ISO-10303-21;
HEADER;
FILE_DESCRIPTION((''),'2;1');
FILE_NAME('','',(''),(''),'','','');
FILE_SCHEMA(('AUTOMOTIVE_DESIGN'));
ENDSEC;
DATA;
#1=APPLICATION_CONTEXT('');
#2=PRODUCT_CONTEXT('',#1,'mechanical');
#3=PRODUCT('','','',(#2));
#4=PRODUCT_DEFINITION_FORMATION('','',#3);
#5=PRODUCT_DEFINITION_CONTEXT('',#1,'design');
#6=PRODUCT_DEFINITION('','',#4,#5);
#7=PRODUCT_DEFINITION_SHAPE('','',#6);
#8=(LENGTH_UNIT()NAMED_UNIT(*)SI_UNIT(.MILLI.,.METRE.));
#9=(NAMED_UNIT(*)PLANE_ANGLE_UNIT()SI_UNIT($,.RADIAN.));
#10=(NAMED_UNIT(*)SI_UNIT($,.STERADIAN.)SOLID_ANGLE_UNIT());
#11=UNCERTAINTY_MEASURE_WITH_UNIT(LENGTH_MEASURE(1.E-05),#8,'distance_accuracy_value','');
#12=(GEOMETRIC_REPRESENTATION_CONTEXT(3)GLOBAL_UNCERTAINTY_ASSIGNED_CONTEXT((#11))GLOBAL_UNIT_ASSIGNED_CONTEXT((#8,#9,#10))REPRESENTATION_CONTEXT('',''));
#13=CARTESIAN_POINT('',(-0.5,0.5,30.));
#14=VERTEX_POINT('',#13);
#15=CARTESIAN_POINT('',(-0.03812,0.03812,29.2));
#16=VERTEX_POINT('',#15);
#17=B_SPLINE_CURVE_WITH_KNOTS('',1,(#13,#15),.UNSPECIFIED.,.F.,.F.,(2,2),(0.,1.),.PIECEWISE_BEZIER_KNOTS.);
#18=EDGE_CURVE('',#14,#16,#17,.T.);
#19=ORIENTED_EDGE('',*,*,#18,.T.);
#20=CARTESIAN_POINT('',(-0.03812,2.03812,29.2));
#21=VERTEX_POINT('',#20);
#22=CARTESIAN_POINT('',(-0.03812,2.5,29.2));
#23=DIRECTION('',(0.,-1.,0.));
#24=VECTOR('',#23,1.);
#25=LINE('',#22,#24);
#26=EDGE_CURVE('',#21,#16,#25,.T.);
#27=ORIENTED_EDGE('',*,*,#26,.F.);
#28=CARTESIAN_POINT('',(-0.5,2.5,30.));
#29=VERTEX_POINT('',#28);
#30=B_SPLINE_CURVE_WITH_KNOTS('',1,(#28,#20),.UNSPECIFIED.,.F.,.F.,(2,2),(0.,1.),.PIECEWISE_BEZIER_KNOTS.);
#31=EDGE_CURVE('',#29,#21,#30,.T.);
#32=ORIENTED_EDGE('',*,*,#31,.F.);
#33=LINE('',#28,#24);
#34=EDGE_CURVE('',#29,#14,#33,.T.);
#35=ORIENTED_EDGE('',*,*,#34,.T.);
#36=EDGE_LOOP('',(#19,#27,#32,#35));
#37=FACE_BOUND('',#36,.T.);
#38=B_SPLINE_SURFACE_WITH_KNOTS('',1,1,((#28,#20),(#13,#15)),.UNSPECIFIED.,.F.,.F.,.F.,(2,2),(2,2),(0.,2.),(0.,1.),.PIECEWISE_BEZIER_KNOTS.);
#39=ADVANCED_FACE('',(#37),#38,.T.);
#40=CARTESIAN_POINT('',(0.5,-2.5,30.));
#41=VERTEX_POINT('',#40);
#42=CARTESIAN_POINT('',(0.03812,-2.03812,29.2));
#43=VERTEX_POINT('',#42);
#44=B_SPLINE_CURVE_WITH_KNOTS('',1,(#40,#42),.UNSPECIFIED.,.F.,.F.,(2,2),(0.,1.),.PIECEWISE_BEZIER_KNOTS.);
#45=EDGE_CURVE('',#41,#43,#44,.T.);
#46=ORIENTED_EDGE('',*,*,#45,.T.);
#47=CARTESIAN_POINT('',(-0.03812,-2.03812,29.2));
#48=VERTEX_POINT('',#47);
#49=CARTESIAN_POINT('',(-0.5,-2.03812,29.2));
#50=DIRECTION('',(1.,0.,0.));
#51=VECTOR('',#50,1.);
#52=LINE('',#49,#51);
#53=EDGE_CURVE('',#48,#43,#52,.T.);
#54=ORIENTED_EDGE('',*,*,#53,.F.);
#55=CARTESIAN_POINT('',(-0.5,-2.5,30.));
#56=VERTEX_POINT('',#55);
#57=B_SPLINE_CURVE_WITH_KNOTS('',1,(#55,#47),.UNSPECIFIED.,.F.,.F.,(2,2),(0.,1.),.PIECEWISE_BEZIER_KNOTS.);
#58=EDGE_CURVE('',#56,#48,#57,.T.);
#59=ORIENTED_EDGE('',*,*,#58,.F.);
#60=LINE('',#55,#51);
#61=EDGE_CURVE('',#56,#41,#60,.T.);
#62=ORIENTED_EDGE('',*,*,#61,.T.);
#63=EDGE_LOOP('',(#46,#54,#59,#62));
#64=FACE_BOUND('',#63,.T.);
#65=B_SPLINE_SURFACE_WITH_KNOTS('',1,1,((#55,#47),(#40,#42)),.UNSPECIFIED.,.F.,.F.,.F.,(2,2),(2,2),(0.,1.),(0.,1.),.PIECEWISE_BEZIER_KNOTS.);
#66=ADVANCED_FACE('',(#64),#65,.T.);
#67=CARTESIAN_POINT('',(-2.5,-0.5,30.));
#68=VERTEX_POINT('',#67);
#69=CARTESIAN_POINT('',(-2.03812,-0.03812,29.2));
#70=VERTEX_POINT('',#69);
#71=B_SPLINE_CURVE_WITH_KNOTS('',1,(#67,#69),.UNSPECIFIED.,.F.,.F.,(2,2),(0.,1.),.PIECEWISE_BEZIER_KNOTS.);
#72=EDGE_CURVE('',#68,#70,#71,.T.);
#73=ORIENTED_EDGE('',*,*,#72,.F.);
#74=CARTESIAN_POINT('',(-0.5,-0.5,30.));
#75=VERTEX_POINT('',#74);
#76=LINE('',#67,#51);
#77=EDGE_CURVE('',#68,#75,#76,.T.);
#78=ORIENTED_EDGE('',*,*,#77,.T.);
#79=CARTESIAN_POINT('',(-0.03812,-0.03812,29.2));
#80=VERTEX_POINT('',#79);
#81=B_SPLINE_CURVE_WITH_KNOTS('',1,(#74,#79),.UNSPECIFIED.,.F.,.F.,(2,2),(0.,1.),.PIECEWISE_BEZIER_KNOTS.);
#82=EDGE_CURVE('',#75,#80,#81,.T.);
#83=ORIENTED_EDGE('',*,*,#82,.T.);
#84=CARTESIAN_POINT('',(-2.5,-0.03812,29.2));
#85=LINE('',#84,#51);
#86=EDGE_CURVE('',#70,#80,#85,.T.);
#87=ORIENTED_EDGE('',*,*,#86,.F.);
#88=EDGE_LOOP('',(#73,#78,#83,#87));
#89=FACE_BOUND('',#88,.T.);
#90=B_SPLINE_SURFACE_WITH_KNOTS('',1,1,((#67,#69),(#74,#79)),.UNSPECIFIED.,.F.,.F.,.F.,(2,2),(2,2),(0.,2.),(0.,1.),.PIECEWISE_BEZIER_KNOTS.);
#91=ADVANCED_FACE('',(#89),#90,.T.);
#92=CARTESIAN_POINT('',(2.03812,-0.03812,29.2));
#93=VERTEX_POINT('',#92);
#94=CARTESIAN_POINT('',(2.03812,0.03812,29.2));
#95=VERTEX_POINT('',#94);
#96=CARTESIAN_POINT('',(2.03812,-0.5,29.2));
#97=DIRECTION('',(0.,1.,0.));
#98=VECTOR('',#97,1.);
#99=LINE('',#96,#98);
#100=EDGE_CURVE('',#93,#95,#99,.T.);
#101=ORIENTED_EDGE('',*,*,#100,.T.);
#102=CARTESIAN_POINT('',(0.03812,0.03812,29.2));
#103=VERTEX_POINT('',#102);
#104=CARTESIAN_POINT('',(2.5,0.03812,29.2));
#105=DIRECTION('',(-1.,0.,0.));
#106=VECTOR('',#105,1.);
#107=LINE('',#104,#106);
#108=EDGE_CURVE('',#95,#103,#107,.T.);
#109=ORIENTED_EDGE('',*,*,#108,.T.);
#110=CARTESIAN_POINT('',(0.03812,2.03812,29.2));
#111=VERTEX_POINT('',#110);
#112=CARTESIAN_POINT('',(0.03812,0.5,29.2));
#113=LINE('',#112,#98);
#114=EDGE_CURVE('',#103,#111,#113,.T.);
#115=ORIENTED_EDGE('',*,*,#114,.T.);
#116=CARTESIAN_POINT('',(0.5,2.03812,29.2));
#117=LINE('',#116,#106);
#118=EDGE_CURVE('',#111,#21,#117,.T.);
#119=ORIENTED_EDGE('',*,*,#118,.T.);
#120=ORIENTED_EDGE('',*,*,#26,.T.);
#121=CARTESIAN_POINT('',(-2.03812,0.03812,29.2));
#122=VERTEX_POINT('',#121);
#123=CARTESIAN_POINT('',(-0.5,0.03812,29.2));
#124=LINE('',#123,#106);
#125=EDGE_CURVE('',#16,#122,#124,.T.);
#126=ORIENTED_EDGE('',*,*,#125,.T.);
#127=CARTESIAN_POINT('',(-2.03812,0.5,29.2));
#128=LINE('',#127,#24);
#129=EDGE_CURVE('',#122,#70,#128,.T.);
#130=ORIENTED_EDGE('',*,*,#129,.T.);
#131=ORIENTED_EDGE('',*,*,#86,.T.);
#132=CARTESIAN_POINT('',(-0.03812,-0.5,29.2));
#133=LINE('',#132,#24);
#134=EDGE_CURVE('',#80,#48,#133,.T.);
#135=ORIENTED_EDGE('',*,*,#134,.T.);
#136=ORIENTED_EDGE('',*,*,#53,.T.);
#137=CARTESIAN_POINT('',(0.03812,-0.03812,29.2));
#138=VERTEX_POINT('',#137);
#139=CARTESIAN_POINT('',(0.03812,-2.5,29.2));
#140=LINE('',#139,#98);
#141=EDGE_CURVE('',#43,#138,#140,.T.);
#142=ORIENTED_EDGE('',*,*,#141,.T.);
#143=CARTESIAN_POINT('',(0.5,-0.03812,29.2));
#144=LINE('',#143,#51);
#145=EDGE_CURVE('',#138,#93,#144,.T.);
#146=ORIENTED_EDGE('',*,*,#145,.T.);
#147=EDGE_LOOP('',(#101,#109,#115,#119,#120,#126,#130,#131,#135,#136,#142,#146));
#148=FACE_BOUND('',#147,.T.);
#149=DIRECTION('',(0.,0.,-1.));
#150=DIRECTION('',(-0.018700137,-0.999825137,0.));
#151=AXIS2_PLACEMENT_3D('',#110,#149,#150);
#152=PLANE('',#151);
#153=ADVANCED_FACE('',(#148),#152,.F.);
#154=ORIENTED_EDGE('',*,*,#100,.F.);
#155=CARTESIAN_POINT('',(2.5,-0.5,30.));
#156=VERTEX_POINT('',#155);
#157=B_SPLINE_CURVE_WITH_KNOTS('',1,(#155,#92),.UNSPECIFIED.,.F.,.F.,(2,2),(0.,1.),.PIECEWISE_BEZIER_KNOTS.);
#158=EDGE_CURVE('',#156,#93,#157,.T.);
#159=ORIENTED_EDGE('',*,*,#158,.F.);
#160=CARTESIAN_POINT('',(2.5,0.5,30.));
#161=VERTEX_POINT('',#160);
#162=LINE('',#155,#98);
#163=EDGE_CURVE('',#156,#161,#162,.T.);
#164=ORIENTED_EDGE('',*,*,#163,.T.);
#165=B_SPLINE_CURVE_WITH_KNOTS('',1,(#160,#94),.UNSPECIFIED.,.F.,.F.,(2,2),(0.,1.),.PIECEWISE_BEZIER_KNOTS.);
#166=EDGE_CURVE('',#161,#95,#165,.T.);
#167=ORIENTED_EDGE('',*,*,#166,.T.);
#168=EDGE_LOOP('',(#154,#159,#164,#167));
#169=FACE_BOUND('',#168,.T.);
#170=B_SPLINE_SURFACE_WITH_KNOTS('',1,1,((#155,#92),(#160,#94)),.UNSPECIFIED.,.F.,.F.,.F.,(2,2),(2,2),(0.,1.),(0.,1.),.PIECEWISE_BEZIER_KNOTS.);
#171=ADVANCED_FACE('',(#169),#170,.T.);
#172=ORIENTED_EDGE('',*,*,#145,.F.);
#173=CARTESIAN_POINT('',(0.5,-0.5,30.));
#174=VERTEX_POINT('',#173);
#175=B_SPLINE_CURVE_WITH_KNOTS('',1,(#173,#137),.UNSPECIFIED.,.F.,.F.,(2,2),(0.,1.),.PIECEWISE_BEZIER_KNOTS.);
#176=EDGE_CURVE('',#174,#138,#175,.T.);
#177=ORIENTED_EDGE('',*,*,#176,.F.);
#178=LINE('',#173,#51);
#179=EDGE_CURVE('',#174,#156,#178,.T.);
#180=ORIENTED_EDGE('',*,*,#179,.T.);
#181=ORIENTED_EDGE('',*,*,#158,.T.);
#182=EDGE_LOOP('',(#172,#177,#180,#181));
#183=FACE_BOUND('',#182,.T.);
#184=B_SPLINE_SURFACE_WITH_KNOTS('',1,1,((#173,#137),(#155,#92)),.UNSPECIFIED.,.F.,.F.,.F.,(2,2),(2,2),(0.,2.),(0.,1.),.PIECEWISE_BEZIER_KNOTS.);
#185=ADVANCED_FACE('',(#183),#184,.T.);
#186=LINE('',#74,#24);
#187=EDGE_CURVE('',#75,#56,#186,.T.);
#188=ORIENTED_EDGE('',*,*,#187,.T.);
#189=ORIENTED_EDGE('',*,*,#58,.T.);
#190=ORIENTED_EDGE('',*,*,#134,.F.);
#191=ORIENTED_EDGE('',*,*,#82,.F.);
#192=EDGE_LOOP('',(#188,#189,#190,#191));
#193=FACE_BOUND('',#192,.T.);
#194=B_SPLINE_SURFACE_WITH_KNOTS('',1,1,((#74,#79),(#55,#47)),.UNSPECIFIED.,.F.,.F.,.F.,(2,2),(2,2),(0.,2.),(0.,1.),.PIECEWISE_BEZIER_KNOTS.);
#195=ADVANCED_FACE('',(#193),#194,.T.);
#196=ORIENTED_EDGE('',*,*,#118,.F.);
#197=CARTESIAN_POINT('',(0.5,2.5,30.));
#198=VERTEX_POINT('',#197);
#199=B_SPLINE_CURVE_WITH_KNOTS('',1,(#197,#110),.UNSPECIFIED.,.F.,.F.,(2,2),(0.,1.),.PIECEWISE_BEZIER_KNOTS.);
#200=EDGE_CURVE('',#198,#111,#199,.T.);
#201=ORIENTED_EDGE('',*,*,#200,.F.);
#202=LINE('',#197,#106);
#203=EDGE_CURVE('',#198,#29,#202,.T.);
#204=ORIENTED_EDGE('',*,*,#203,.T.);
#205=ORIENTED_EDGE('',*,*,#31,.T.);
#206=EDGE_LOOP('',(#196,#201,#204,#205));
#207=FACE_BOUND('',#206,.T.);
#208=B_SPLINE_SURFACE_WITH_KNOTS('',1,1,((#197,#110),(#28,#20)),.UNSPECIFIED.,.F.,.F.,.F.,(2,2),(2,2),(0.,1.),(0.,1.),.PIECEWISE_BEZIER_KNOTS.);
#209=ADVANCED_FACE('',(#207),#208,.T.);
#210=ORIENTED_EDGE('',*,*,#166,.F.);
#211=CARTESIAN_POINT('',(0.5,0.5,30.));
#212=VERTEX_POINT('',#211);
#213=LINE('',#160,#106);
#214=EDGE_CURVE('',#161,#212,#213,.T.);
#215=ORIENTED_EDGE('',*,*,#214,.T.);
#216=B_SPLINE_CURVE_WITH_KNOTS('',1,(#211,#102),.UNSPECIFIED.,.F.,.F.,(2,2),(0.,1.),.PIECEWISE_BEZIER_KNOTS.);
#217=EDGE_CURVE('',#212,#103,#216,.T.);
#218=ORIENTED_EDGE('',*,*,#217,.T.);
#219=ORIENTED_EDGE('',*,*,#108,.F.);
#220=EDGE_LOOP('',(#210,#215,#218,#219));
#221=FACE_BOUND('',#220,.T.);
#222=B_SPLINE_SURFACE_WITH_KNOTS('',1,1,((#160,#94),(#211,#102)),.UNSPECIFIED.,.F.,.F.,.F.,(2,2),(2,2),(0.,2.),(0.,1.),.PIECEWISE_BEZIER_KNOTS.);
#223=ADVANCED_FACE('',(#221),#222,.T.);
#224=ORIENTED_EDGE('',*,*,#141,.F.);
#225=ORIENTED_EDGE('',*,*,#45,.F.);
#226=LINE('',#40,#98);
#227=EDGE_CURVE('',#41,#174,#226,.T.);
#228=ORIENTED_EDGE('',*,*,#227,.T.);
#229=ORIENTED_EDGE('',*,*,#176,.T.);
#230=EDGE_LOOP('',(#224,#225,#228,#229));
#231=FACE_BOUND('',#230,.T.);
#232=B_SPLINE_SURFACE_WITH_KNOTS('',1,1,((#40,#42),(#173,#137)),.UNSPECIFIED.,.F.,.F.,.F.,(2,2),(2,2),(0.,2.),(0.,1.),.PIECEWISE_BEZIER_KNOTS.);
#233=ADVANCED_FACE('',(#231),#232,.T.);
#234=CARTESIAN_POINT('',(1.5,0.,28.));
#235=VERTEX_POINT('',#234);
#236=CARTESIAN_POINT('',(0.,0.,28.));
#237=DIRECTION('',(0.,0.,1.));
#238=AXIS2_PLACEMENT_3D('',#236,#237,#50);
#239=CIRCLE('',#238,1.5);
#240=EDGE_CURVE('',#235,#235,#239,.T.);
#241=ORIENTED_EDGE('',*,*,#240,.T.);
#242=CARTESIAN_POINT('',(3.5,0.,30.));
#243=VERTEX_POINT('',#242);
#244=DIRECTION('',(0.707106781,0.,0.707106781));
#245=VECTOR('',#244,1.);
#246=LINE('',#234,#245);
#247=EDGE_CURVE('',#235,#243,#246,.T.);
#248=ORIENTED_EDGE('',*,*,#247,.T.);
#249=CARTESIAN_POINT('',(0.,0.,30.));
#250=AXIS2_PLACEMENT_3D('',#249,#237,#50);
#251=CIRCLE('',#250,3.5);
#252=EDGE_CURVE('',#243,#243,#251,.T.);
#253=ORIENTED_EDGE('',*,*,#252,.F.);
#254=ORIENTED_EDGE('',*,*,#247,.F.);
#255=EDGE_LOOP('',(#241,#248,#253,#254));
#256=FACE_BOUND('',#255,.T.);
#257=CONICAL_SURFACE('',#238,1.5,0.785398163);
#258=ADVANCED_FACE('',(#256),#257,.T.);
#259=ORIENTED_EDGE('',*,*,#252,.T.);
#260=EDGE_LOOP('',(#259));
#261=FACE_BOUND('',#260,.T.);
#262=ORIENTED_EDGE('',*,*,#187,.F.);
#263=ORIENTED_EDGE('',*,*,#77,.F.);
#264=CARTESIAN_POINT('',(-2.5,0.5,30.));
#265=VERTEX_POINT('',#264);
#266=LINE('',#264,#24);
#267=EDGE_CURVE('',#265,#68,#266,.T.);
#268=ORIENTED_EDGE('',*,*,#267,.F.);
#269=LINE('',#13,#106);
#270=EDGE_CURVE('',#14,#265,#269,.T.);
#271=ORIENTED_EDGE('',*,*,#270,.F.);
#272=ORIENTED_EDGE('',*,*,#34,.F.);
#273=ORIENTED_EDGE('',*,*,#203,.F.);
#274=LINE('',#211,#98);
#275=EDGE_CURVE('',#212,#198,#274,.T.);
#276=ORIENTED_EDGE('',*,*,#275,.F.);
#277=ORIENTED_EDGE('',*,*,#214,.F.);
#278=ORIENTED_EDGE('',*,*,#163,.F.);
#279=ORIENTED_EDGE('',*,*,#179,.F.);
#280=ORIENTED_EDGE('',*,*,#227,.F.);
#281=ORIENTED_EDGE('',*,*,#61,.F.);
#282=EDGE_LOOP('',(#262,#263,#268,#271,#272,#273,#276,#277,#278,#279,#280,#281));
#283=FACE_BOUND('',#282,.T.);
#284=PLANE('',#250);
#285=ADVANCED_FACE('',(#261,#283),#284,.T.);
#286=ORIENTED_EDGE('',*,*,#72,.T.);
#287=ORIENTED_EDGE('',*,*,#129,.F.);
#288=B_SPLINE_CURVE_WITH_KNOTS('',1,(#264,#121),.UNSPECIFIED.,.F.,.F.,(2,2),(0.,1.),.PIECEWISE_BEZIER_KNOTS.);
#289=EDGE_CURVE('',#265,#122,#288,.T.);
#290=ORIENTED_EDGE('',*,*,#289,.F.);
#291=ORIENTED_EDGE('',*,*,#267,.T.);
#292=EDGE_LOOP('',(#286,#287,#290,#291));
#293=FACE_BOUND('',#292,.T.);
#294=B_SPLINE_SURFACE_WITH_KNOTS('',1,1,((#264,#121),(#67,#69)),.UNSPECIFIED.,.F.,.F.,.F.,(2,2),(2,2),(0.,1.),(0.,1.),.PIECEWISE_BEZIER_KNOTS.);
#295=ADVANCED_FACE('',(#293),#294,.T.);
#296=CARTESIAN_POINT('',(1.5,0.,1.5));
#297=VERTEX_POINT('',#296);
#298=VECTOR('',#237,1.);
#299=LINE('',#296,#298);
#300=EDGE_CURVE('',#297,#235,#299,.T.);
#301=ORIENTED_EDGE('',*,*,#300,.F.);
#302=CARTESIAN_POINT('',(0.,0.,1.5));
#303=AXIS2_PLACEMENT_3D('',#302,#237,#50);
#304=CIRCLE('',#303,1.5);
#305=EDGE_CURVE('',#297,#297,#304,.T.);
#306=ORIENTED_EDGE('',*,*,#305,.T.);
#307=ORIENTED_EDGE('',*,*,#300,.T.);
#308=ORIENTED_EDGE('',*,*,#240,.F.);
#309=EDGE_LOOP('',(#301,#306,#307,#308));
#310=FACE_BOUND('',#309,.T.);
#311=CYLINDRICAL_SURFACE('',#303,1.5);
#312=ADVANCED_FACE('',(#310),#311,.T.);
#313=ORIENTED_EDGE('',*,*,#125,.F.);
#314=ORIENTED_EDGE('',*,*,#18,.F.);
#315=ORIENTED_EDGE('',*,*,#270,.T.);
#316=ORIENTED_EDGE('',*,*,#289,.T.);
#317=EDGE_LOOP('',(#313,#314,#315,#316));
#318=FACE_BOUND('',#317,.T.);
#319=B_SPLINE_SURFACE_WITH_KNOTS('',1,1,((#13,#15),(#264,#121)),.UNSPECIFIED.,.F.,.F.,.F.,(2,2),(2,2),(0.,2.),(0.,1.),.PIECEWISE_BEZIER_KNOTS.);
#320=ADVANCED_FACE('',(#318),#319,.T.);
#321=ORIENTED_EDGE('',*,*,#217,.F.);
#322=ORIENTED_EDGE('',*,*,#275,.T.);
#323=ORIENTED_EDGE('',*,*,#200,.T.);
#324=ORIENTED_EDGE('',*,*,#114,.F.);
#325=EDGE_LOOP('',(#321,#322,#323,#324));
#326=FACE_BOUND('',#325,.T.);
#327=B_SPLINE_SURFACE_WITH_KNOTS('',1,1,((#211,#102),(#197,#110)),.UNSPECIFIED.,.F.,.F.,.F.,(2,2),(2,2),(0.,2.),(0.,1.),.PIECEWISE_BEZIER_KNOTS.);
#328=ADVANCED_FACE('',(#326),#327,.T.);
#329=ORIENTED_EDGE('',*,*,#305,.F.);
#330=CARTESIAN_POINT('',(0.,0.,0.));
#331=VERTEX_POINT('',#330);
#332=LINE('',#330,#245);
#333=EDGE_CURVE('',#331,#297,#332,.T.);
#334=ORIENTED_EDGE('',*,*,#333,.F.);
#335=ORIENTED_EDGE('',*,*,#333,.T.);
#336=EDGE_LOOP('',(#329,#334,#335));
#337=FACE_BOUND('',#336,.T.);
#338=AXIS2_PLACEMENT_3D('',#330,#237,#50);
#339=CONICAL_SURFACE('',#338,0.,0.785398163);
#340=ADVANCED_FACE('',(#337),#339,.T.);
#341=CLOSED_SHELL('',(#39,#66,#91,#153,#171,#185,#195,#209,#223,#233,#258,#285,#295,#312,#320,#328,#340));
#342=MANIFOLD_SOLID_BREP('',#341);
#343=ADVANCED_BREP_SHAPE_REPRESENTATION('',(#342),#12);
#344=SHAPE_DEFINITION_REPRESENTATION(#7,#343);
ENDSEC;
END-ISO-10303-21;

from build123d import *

# Parameters (mm, degrees)
F3_DEPTH = 0.8
F3_TAPER = 30


with BuildPart() as f1:
    # F0 (on Front) → F1 (revolve)
    with BuildSketch(Plane.XZ):
        Polygon((0, 30), (0, 0), (1.5, 1.5), (1.5, 28), (3.5, 30), align=None)
    revolve(axis=Axis((0, 0, 15), (0, 0, 1)))

    # F2 (on face) → F3 (cut)
    with BuildSketch(Plane.XY.offset(30)):
        Polygon((0.5, 2.5), (-0.5, 2.5), (-0.5, 0.5), (-2.5, 0.5), (-2.5, -0.5), (-0.5, -0.5), (-0.5, -2.5), (0.5, -2.5), (0.5, -0.5), (2.5, -0.5), (2.5, 0.5), (0.5, 0.5), align=None)
    extrude(amount=-F3_DEPTH, taper=F3_TAPER, mode=Mode.SUBTRACT)


solid = f1.part
